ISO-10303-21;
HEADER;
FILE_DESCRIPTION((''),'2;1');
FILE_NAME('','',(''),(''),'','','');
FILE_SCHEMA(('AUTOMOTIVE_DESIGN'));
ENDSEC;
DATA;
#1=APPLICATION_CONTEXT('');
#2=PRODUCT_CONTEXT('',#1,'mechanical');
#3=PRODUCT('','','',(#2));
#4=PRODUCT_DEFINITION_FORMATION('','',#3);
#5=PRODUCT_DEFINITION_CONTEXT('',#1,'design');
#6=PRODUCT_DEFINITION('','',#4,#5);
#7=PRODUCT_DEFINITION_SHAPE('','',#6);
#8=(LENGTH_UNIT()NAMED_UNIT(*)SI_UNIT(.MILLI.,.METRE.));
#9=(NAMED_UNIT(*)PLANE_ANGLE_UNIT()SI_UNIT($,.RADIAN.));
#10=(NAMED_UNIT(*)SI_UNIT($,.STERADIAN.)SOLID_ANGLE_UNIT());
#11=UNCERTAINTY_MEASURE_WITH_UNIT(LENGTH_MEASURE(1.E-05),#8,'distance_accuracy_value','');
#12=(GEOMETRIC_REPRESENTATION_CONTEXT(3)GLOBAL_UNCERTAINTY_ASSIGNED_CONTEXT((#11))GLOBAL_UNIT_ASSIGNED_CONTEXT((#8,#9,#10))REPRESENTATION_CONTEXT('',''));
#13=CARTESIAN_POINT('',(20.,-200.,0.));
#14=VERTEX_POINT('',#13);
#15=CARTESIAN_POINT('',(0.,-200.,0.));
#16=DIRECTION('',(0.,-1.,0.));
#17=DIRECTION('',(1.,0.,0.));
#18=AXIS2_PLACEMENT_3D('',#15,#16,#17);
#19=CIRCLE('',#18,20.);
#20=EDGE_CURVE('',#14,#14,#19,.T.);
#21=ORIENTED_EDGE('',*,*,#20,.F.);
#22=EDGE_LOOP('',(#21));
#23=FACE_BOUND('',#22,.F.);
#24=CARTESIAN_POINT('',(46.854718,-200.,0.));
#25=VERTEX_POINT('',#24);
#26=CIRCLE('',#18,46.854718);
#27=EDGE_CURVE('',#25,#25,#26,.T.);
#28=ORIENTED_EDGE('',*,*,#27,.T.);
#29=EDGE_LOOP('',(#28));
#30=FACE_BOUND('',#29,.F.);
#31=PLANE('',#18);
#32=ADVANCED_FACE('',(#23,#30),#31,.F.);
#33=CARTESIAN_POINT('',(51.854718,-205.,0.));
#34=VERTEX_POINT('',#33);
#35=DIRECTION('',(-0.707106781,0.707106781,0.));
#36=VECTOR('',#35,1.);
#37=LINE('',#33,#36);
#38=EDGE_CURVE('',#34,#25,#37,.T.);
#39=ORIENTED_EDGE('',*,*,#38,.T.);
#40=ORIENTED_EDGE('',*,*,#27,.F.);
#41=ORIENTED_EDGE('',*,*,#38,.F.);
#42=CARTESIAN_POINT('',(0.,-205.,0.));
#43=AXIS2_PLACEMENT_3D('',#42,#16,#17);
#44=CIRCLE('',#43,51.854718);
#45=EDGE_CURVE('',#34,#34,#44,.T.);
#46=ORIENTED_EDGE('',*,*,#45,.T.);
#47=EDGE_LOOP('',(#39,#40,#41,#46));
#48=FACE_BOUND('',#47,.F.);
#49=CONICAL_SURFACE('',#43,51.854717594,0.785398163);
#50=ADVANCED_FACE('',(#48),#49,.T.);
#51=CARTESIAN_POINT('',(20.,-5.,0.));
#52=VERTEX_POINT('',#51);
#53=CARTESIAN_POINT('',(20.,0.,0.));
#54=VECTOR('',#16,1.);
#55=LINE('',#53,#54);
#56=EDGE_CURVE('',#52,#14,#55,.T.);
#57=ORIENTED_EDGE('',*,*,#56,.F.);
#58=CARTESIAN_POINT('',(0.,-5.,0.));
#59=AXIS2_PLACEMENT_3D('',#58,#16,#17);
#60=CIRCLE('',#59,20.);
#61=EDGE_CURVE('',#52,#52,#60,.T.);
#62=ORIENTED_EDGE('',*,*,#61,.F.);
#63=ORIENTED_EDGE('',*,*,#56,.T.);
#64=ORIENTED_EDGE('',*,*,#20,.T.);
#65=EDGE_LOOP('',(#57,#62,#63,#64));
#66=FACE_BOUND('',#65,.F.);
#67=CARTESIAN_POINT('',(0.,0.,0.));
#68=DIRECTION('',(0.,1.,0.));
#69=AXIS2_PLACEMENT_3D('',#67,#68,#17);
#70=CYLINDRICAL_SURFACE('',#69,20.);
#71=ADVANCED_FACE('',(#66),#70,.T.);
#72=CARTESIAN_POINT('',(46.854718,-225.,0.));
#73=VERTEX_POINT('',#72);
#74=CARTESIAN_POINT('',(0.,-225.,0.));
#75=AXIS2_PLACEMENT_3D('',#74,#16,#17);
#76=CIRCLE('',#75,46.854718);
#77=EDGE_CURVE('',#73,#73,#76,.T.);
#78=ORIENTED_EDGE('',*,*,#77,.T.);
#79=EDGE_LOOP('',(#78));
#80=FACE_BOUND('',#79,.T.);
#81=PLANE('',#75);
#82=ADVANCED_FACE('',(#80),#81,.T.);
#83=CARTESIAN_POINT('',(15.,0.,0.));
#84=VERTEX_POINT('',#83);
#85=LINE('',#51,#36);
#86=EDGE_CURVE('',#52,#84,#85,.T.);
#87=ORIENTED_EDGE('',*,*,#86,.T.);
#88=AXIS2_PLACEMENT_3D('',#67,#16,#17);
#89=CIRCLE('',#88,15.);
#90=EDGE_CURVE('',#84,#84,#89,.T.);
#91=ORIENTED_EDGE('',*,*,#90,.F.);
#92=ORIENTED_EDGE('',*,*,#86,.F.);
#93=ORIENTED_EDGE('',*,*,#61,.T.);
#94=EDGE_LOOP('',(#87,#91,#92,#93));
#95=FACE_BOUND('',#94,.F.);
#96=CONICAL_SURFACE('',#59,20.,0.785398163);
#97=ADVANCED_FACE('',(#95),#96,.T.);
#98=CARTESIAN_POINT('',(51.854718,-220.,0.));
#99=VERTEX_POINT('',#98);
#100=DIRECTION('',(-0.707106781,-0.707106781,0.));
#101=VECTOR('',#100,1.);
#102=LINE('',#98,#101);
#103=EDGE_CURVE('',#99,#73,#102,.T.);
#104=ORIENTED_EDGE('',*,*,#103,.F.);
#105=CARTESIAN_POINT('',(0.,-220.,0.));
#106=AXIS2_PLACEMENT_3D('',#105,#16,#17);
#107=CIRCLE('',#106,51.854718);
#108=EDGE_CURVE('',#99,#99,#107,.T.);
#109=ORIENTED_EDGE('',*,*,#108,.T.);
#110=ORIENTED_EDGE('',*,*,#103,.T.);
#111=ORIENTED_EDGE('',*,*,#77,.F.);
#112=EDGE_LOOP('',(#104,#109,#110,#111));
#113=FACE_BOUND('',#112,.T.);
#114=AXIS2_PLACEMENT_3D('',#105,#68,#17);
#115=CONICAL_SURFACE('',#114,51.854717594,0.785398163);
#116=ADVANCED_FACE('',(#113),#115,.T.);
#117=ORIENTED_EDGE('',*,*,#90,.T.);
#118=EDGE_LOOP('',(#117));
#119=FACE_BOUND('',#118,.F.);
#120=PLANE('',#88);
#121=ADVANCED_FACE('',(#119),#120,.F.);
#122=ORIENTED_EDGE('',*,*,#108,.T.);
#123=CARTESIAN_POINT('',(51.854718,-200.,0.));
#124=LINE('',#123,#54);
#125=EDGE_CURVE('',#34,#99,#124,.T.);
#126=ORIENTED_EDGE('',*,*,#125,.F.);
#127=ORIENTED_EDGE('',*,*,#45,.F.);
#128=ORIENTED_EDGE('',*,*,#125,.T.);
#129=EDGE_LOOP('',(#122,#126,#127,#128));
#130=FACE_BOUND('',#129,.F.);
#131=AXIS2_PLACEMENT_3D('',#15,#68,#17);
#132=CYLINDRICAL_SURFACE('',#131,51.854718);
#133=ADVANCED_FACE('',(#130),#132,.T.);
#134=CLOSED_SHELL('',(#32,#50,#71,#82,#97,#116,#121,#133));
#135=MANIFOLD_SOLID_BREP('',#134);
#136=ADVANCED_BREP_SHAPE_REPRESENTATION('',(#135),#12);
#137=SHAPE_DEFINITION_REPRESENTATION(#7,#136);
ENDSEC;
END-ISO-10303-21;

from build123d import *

# Parameters (mm, degrees)
F0_R     = 20
F1_DEPTH = 200
F2_R     = 51.8547175937
F2_R_2   = 20
F3_DEPTH = 25
F4_SIZE  = 5
F6_START = -25
F5_R     = 7.1981981043
F6_DEPTH = 26.8557175937


with BuildPart() as f1:
    # F0 (on Front) → F1 (new body)
    with BuildSketch(Plane.XZ):
        Circle(F0_R)
    extrude(amount=F1_DEPTH)

    # F2 (on face) → F3 (join)
    with BuildSketch(Plane.XZ.offset(200)):
        Circle(F2_R)
        Circle(F2_R_2, mode=Mode.SUBTRACT)
        Circle(F2_R)
    extrude(amount=F3_DEPTH)

    # F4
    f4_edges = [f1.edges().sort_by_distance(p)[0] for p in [
        (-51.854718, -225, 0),
        (-51.854718, -200, 0),
        (-20, 0, 0),
    ]]
    chamfer(f4_edges, length=F4_SIZE)

    # F5 (on Top) → F6 (cut)
    with BuildSketch(Plane.XY.offset(F6_START)):
        with Locations((0, -18.5775626451)):
            Circle(F5_R)
    extrude(amount=-F6_DEPTH, mode=Mode.SUBTRACT)


solid = f1.part
